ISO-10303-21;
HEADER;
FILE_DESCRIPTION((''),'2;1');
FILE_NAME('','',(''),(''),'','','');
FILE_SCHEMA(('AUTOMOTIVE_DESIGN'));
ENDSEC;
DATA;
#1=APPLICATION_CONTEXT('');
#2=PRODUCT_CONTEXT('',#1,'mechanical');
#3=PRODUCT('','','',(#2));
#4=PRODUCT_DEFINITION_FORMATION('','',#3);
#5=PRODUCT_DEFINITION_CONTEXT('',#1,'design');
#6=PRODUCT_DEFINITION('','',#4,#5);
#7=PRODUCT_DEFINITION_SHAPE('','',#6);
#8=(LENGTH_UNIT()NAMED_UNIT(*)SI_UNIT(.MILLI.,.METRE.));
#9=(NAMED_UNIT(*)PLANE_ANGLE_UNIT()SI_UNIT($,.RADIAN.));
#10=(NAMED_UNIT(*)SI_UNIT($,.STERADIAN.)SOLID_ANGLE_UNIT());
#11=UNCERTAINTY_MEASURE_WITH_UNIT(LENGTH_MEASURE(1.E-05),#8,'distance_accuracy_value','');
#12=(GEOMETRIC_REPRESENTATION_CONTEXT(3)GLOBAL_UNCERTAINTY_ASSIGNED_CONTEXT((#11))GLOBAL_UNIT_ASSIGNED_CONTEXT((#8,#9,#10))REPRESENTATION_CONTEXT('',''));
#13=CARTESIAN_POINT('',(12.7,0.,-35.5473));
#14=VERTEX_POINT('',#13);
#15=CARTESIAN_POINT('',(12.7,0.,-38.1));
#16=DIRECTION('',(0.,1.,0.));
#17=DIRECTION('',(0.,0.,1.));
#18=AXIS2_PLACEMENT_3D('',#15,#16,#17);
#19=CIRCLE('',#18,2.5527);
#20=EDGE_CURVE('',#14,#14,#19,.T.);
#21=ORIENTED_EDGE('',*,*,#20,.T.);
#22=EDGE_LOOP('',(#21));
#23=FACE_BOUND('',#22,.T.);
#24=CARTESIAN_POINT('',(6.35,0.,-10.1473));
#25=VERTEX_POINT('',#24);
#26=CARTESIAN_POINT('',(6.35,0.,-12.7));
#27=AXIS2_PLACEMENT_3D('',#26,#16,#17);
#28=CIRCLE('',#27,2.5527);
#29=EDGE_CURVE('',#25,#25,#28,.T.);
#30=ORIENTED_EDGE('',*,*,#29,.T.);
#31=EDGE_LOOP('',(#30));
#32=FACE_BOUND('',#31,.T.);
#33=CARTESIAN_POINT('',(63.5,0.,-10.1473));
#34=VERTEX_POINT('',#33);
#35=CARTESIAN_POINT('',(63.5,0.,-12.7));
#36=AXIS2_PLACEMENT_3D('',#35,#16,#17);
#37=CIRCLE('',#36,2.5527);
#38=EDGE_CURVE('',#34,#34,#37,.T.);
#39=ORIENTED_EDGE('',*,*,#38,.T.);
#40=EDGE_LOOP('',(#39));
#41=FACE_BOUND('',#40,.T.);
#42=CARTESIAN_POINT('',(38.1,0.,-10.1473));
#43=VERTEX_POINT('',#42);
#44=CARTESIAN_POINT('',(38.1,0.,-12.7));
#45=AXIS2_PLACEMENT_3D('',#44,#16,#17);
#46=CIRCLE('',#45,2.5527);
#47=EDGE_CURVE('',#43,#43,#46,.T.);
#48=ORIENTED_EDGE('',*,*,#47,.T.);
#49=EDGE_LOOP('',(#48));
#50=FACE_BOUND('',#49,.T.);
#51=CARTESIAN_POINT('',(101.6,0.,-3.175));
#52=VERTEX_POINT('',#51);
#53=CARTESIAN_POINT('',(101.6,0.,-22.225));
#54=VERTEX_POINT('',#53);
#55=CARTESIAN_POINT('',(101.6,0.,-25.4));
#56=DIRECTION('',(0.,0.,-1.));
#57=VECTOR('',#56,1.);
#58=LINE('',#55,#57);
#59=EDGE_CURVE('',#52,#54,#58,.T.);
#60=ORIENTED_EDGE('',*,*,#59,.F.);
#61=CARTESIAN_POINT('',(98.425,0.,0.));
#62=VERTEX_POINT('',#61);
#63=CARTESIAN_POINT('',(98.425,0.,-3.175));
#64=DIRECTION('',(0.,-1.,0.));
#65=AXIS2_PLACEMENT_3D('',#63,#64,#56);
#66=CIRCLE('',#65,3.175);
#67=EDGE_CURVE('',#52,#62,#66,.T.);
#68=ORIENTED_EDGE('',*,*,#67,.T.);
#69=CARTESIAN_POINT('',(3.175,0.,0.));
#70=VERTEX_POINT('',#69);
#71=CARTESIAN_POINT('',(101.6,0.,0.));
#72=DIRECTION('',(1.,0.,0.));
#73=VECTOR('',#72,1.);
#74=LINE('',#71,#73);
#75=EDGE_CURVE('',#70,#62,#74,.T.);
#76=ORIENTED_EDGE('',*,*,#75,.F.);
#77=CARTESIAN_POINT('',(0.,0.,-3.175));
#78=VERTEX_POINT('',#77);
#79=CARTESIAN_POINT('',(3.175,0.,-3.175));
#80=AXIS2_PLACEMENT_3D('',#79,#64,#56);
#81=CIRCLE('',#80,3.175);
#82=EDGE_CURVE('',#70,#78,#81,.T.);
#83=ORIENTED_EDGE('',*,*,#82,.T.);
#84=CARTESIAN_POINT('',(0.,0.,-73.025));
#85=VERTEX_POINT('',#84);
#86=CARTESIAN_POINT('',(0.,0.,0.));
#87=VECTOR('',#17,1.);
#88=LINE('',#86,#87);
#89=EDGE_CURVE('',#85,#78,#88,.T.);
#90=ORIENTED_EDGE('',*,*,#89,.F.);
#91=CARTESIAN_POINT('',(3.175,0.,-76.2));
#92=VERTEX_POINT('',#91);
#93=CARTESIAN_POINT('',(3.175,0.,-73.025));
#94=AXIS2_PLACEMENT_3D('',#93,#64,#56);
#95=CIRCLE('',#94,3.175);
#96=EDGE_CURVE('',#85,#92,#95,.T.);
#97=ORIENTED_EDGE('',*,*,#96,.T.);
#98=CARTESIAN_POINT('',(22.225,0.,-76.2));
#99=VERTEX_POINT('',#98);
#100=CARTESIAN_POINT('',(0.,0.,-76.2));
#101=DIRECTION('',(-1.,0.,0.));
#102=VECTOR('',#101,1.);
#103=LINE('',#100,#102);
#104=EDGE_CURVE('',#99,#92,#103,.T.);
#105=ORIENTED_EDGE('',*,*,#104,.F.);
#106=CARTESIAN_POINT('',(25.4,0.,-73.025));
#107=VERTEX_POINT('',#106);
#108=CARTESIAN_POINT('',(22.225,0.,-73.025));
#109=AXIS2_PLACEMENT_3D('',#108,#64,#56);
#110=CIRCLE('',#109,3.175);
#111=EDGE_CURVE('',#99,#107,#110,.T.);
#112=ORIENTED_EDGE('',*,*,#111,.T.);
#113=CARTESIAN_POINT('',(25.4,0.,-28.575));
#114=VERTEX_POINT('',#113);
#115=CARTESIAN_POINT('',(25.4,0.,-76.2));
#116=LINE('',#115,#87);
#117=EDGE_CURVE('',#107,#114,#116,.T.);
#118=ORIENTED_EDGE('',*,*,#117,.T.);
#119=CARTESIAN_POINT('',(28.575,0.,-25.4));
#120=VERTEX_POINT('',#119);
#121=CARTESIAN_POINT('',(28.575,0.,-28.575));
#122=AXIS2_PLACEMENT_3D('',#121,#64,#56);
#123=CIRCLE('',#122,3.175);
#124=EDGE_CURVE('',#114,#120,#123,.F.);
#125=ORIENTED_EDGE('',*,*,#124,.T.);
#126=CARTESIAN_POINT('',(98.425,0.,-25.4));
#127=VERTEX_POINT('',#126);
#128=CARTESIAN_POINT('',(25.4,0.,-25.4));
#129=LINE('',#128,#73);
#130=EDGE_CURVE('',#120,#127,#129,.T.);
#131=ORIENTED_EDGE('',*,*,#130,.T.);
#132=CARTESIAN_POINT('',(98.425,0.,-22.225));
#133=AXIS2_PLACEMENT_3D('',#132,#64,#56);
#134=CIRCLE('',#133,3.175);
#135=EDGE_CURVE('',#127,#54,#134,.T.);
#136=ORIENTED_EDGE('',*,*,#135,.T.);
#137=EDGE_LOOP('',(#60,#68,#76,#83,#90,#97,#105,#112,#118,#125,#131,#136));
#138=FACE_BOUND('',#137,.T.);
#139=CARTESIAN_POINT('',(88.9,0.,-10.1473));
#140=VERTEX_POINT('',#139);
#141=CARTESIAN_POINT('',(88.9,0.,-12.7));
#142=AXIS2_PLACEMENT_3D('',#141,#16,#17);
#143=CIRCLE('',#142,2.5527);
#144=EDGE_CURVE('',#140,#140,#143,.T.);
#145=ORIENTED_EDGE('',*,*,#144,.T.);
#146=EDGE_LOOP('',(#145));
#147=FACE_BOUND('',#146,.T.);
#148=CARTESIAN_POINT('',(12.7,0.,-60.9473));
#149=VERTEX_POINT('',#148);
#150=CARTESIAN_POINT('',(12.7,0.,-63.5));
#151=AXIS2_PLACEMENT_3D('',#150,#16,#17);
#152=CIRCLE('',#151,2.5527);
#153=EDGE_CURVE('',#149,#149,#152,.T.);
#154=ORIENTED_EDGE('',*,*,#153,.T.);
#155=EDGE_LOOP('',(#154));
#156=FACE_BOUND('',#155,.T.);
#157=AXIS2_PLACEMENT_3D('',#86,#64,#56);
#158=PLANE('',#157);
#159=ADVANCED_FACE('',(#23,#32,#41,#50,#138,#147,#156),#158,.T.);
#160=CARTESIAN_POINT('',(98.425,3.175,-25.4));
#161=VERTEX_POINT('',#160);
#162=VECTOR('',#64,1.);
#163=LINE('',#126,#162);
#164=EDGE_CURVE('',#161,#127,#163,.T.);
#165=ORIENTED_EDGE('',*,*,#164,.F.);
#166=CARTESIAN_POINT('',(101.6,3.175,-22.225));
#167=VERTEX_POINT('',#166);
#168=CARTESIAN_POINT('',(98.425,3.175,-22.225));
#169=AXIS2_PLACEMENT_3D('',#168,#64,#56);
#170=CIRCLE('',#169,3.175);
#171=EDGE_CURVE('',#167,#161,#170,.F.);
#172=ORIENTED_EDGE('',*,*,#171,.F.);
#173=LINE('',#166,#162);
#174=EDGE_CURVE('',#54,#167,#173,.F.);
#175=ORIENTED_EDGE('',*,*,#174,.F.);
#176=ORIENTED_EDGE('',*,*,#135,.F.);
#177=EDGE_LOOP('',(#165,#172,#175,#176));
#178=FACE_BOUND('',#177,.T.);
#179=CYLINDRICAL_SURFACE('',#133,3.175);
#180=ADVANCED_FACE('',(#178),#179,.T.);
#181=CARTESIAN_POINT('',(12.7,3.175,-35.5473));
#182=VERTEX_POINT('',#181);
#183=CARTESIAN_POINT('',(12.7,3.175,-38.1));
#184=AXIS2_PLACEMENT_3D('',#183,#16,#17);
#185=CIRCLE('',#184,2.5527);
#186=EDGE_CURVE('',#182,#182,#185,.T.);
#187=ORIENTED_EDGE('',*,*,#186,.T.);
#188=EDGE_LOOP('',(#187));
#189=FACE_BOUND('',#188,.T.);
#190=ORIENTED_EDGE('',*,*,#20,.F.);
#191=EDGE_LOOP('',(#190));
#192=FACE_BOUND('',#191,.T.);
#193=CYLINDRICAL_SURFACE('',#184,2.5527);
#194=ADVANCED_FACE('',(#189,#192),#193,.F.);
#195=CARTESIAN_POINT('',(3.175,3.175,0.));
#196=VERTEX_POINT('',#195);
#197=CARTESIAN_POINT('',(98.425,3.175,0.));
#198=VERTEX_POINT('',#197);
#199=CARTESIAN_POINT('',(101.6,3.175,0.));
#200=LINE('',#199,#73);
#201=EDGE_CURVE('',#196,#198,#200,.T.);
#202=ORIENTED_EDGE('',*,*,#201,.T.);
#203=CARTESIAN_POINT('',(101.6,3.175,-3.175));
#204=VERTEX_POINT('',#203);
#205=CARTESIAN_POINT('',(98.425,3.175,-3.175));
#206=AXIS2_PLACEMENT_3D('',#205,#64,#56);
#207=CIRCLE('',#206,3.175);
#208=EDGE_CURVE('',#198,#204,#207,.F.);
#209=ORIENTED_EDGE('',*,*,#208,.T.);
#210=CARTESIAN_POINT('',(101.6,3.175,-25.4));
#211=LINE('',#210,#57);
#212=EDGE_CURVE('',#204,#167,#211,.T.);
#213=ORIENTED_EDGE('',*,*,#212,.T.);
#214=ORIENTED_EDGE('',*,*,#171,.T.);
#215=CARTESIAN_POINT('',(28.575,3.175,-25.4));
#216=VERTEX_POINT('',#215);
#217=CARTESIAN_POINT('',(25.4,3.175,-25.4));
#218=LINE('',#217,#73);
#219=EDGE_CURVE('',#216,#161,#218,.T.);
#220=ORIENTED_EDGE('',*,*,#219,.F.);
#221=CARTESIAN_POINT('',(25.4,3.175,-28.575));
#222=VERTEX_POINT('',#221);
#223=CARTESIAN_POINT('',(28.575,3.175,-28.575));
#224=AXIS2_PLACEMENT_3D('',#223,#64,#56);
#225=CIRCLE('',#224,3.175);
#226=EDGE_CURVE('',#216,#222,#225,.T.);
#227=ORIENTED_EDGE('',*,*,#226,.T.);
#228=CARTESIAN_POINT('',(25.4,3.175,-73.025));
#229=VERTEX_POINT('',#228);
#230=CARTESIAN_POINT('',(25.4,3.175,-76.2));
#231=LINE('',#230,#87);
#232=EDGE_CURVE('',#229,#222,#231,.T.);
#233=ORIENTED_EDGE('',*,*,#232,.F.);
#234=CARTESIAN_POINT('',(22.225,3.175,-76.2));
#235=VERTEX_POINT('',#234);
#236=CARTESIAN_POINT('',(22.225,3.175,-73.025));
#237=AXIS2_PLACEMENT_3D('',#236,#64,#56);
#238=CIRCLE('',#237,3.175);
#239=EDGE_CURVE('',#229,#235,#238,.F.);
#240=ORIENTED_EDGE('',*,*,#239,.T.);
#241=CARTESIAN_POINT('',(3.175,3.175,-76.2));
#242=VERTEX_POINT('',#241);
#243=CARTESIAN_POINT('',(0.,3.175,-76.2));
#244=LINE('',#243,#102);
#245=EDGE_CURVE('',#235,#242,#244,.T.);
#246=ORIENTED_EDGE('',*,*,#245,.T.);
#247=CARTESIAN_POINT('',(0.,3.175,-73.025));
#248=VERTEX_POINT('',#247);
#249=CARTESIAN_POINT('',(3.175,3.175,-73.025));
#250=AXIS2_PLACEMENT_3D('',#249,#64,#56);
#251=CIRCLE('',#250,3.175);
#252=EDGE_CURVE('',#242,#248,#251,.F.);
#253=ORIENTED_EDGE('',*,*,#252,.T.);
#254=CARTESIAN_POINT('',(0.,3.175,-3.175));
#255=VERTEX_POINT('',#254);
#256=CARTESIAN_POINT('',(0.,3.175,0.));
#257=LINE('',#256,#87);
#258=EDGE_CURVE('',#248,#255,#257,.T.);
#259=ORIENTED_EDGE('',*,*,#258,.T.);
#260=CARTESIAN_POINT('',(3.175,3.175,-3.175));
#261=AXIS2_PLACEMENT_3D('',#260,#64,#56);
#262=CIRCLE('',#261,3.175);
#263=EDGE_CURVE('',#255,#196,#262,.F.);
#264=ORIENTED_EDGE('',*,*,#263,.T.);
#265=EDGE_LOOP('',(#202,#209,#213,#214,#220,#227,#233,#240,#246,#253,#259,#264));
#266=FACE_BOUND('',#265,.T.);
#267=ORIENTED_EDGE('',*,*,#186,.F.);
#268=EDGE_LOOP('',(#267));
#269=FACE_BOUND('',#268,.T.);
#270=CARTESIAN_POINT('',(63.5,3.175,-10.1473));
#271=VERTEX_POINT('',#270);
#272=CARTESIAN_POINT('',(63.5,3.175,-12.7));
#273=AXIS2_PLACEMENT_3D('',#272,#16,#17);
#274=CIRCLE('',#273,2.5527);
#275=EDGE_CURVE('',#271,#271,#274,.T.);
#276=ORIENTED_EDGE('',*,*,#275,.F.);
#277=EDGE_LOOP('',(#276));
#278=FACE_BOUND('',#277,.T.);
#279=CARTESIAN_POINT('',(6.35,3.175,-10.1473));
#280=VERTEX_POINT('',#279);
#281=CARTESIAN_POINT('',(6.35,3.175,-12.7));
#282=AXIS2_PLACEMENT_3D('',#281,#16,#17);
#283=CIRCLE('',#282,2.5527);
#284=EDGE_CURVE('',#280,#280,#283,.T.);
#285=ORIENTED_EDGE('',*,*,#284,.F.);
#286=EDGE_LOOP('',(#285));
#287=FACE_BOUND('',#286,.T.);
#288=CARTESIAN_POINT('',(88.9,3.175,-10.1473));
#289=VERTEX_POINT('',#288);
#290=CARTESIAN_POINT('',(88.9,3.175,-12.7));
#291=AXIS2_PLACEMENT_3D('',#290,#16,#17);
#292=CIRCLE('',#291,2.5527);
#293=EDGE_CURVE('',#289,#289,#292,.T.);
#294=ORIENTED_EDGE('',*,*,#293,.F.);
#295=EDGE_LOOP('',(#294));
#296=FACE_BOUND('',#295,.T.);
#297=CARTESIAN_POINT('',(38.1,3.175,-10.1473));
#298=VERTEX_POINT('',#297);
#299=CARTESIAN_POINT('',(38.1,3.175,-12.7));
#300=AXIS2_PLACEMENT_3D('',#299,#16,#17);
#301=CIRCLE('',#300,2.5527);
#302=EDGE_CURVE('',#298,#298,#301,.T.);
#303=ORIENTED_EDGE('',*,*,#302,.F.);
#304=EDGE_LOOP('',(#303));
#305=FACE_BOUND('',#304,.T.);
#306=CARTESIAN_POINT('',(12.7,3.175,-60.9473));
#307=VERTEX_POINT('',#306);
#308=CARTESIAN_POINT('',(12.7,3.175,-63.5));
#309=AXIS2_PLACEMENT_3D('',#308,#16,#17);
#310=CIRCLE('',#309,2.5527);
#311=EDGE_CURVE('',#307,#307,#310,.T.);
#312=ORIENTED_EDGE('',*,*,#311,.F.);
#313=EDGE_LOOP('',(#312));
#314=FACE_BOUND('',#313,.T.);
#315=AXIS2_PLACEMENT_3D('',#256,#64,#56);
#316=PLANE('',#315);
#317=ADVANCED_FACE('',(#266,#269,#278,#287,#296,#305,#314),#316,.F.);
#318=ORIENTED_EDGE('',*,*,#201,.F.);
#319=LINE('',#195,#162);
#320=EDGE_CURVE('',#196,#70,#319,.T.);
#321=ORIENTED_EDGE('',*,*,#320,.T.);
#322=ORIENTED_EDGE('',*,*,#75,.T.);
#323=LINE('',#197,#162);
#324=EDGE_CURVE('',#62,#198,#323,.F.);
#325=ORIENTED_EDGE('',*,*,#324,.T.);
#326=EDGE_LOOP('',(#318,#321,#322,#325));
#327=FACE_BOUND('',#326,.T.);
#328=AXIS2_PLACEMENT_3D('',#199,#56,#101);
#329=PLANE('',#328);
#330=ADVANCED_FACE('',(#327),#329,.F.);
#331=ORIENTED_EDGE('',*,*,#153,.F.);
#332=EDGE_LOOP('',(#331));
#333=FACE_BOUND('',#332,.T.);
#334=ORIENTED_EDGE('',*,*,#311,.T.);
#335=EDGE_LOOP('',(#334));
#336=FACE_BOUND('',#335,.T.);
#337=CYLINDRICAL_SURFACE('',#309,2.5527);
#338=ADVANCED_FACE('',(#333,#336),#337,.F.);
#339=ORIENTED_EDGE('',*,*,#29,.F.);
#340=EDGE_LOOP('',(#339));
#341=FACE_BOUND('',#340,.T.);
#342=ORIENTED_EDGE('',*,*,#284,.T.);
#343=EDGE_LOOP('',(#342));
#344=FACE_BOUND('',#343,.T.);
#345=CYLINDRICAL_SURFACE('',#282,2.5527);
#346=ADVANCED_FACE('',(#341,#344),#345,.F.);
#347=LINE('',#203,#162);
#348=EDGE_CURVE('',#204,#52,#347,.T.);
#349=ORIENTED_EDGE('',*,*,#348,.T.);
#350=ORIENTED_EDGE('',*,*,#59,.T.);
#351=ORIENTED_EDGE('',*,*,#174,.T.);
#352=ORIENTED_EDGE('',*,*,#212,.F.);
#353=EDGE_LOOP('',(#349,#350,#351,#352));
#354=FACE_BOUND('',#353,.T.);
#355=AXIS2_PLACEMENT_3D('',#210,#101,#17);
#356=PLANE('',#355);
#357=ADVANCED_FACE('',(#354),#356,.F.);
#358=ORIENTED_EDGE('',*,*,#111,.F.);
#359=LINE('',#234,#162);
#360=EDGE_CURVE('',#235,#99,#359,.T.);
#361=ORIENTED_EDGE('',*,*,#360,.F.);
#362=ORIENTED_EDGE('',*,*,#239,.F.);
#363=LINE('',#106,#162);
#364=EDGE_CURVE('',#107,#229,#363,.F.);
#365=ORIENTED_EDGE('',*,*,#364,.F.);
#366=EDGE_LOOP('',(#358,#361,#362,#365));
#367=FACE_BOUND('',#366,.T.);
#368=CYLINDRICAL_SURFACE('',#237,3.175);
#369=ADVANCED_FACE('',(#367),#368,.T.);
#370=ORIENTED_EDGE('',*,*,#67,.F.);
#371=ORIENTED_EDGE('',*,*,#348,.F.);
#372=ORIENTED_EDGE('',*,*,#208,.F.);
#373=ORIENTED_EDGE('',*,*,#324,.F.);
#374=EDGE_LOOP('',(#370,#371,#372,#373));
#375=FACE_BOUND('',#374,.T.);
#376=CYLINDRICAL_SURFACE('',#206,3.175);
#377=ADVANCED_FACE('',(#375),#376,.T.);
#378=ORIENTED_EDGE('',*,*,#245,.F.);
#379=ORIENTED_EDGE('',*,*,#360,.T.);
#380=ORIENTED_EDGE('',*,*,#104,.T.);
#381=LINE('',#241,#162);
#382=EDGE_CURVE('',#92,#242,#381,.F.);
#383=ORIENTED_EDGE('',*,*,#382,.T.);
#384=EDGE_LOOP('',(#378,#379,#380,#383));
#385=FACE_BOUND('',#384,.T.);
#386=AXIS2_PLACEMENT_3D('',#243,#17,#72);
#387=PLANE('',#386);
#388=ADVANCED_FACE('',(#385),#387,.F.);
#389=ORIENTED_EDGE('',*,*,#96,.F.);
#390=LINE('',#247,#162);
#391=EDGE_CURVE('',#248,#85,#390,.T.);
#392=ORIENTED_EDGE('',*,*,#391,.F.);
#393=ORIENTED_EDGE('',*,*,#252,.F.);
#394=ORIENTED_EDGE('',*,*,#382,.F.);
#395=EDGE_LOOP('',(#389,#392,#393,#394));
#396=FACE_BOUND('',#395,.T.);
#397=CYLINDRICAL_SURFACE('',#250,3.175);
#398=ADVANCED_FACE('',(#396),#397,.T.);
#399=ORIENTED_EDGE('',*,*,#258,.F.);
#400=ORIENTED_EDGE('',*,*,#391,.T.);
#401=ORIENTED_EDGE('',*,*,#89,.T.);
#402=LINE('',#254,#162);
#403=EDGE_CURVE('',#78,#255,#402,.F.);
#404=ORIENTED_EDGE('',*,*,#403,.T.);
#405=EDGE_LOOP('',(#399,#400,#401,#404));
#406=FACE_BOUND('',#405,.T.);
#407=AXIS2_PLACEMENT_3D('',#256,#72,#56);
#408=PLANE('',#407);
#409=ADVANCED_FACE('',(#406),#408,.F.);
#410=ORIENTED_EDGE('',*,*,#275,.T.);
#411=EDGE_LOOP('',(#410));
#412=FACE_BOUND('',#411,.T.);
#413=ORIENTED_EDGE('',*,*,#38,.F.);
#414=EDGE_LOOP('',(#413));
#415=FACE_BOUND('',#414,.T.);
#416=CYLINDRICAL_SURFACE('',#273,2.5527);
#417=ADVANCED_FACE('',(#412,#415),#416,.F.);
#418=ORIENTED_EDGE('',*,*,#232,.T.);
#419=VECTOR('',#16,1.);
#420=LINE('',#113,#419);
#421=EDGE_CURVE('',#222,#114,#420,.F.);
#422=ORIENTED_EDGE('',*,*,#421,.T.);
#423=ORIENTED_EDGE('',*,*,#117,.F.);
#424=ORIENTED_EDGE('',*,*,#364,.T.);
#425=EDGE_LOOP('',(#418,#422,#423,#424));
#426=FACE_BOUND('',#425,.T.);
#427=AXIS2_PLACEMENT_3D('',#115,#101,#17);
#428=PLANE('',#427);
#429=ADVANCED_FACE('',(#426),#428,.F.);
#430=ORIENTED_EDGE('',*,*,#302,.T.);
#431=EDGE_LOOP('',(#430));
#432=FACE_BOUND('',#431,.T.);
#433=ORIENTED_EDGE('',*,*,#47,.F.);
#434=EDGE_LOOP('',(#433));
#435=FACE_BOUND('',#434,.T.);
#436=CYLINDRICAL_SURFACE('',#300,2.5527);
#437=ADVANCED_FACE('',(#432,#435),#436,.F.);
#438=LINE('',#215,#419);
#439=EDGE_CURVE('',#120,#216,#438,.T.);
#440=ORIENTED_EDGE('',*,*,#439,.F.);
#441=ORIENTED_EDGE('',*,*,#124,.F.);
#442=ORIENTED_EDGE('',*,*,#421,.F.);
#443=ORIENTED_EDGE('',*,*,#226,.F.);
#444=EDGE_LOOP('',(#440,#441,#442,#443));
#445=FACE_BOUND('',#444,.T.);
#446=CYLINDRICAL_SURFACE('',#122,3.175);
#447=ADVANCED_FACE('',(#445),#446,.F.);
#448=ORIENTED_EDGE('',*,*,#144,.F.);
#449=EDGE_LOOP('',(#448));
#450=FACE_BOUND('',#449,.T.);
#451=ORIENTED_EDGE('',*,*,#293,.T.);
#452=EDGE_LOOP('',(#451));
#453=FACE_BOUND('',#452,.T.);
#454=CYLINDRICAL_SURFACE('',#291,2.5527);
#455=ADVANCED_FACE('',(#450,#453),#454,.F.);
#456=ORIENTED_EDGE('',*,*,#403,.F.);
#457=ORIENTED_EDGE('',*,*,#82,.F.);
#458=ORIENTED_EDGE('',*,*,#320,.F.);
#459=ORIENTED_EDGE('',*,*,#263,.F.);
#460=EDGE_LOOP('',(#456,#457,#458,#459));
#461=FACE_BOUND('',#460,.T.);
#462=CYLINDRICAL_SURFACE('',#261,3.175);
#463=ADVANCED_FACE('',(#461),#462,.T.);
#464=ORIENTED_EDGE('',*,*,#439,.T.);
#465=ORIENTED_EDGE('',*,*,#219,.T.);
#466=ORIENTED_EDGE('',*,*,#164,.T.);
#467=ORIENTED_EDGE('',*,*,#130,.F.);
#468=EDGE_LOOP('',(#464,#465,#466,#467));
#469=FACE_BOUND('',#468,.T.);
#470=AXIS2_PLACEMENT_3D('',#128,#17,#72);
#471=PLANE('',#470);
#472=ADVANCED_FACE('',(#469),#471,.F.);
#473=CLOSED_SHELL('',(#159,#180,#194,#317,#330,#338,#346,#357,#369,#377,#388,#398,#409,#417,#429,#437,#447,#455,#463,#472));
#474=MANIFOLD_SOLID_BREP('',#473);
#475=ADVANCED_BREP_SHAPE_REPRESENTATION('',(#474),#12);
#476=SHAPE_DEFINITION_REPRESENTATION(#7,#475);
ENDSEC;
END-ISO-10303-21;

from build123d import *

# Parameters (mm, degrees)
BOSS_EXTRUDE1_DEPTH    = 3.175
F_10_CLEARANCE_HOLE1_D = 5.1054
F_10_CLEARANCE_HOLE4_D = 5.1054
CUT_EXTRUDE1_DEPTH     = 128.039681301
FILLET1_R              = 3.175


with BuildPart() as part:
    # Sketch1 → Boss-Extrude1 (new body)
    with BuildSketch(Plane(origin=(0, 0, 0), x_dir=(1, 0, 0), z_dir=(0, 1, 0))):
        Polygon((0, 0), (0, 76.2), (25.4, 76.2), (101.6, 25.4), (101.6, 0), align=None)
    extrude(amount=BOSS_EXTRUDE1_DEPTH)

    # #10 Clearance Hole1 (through all)
    with Locations(Plane(origin=(0, 3.175, 0), x_dir=(1, 0, 0), z_dir=(0, 1, 0))):
        with Locations((88.9, 12.7), (12.7, 63.5), (12.7, 38.1), (38.1, 12.7), (63.5, 12.7)):
            Hole(F_10_CLEARANCE_HOLE1_D / 2)

    # #10 Clearance Hole4 (through all)
    with Locations(Plane(origin=(0, 3.175, 0), x_dir=(1, 0, 0), z_dir=(0, 1, 0))):
        with Locations((6.35, 12.7)):
            Hole(F_10_CLEARANCE_HOLE4_D / 2)

    # Sketch6 → Cut-Extrude1 (cut, through all)
    with BuildSketch(Plane(origin=(0, 3.175, 0), x_dir=(1, 0, 0), z_dir=(0, 1, 0))):
        Polygon((25.4, 76.2), (25.4, 25.4), (101.6, 25.4), align=None)
    extrude(amount=-CUT_EXTRUDE1_DEPTH, mode=Mode.SUBTRACT)

    # Fillet1
    fillet1_edges = [part.edges().sort_by_distance(p)[0] for p in [
        (25.4, 1.5875, -25.4),
        (0, 1.5875, 0),
        (0, 1.5875, -76.2),
        (25.4, 1.5875, -76.2),
        (101.6, 1.5875, -25.4),
        (101.6, 1.5875, 0),
    ]]
    fillet(fillet1_edges, radius=FILLET1_R)


solid = part.part
